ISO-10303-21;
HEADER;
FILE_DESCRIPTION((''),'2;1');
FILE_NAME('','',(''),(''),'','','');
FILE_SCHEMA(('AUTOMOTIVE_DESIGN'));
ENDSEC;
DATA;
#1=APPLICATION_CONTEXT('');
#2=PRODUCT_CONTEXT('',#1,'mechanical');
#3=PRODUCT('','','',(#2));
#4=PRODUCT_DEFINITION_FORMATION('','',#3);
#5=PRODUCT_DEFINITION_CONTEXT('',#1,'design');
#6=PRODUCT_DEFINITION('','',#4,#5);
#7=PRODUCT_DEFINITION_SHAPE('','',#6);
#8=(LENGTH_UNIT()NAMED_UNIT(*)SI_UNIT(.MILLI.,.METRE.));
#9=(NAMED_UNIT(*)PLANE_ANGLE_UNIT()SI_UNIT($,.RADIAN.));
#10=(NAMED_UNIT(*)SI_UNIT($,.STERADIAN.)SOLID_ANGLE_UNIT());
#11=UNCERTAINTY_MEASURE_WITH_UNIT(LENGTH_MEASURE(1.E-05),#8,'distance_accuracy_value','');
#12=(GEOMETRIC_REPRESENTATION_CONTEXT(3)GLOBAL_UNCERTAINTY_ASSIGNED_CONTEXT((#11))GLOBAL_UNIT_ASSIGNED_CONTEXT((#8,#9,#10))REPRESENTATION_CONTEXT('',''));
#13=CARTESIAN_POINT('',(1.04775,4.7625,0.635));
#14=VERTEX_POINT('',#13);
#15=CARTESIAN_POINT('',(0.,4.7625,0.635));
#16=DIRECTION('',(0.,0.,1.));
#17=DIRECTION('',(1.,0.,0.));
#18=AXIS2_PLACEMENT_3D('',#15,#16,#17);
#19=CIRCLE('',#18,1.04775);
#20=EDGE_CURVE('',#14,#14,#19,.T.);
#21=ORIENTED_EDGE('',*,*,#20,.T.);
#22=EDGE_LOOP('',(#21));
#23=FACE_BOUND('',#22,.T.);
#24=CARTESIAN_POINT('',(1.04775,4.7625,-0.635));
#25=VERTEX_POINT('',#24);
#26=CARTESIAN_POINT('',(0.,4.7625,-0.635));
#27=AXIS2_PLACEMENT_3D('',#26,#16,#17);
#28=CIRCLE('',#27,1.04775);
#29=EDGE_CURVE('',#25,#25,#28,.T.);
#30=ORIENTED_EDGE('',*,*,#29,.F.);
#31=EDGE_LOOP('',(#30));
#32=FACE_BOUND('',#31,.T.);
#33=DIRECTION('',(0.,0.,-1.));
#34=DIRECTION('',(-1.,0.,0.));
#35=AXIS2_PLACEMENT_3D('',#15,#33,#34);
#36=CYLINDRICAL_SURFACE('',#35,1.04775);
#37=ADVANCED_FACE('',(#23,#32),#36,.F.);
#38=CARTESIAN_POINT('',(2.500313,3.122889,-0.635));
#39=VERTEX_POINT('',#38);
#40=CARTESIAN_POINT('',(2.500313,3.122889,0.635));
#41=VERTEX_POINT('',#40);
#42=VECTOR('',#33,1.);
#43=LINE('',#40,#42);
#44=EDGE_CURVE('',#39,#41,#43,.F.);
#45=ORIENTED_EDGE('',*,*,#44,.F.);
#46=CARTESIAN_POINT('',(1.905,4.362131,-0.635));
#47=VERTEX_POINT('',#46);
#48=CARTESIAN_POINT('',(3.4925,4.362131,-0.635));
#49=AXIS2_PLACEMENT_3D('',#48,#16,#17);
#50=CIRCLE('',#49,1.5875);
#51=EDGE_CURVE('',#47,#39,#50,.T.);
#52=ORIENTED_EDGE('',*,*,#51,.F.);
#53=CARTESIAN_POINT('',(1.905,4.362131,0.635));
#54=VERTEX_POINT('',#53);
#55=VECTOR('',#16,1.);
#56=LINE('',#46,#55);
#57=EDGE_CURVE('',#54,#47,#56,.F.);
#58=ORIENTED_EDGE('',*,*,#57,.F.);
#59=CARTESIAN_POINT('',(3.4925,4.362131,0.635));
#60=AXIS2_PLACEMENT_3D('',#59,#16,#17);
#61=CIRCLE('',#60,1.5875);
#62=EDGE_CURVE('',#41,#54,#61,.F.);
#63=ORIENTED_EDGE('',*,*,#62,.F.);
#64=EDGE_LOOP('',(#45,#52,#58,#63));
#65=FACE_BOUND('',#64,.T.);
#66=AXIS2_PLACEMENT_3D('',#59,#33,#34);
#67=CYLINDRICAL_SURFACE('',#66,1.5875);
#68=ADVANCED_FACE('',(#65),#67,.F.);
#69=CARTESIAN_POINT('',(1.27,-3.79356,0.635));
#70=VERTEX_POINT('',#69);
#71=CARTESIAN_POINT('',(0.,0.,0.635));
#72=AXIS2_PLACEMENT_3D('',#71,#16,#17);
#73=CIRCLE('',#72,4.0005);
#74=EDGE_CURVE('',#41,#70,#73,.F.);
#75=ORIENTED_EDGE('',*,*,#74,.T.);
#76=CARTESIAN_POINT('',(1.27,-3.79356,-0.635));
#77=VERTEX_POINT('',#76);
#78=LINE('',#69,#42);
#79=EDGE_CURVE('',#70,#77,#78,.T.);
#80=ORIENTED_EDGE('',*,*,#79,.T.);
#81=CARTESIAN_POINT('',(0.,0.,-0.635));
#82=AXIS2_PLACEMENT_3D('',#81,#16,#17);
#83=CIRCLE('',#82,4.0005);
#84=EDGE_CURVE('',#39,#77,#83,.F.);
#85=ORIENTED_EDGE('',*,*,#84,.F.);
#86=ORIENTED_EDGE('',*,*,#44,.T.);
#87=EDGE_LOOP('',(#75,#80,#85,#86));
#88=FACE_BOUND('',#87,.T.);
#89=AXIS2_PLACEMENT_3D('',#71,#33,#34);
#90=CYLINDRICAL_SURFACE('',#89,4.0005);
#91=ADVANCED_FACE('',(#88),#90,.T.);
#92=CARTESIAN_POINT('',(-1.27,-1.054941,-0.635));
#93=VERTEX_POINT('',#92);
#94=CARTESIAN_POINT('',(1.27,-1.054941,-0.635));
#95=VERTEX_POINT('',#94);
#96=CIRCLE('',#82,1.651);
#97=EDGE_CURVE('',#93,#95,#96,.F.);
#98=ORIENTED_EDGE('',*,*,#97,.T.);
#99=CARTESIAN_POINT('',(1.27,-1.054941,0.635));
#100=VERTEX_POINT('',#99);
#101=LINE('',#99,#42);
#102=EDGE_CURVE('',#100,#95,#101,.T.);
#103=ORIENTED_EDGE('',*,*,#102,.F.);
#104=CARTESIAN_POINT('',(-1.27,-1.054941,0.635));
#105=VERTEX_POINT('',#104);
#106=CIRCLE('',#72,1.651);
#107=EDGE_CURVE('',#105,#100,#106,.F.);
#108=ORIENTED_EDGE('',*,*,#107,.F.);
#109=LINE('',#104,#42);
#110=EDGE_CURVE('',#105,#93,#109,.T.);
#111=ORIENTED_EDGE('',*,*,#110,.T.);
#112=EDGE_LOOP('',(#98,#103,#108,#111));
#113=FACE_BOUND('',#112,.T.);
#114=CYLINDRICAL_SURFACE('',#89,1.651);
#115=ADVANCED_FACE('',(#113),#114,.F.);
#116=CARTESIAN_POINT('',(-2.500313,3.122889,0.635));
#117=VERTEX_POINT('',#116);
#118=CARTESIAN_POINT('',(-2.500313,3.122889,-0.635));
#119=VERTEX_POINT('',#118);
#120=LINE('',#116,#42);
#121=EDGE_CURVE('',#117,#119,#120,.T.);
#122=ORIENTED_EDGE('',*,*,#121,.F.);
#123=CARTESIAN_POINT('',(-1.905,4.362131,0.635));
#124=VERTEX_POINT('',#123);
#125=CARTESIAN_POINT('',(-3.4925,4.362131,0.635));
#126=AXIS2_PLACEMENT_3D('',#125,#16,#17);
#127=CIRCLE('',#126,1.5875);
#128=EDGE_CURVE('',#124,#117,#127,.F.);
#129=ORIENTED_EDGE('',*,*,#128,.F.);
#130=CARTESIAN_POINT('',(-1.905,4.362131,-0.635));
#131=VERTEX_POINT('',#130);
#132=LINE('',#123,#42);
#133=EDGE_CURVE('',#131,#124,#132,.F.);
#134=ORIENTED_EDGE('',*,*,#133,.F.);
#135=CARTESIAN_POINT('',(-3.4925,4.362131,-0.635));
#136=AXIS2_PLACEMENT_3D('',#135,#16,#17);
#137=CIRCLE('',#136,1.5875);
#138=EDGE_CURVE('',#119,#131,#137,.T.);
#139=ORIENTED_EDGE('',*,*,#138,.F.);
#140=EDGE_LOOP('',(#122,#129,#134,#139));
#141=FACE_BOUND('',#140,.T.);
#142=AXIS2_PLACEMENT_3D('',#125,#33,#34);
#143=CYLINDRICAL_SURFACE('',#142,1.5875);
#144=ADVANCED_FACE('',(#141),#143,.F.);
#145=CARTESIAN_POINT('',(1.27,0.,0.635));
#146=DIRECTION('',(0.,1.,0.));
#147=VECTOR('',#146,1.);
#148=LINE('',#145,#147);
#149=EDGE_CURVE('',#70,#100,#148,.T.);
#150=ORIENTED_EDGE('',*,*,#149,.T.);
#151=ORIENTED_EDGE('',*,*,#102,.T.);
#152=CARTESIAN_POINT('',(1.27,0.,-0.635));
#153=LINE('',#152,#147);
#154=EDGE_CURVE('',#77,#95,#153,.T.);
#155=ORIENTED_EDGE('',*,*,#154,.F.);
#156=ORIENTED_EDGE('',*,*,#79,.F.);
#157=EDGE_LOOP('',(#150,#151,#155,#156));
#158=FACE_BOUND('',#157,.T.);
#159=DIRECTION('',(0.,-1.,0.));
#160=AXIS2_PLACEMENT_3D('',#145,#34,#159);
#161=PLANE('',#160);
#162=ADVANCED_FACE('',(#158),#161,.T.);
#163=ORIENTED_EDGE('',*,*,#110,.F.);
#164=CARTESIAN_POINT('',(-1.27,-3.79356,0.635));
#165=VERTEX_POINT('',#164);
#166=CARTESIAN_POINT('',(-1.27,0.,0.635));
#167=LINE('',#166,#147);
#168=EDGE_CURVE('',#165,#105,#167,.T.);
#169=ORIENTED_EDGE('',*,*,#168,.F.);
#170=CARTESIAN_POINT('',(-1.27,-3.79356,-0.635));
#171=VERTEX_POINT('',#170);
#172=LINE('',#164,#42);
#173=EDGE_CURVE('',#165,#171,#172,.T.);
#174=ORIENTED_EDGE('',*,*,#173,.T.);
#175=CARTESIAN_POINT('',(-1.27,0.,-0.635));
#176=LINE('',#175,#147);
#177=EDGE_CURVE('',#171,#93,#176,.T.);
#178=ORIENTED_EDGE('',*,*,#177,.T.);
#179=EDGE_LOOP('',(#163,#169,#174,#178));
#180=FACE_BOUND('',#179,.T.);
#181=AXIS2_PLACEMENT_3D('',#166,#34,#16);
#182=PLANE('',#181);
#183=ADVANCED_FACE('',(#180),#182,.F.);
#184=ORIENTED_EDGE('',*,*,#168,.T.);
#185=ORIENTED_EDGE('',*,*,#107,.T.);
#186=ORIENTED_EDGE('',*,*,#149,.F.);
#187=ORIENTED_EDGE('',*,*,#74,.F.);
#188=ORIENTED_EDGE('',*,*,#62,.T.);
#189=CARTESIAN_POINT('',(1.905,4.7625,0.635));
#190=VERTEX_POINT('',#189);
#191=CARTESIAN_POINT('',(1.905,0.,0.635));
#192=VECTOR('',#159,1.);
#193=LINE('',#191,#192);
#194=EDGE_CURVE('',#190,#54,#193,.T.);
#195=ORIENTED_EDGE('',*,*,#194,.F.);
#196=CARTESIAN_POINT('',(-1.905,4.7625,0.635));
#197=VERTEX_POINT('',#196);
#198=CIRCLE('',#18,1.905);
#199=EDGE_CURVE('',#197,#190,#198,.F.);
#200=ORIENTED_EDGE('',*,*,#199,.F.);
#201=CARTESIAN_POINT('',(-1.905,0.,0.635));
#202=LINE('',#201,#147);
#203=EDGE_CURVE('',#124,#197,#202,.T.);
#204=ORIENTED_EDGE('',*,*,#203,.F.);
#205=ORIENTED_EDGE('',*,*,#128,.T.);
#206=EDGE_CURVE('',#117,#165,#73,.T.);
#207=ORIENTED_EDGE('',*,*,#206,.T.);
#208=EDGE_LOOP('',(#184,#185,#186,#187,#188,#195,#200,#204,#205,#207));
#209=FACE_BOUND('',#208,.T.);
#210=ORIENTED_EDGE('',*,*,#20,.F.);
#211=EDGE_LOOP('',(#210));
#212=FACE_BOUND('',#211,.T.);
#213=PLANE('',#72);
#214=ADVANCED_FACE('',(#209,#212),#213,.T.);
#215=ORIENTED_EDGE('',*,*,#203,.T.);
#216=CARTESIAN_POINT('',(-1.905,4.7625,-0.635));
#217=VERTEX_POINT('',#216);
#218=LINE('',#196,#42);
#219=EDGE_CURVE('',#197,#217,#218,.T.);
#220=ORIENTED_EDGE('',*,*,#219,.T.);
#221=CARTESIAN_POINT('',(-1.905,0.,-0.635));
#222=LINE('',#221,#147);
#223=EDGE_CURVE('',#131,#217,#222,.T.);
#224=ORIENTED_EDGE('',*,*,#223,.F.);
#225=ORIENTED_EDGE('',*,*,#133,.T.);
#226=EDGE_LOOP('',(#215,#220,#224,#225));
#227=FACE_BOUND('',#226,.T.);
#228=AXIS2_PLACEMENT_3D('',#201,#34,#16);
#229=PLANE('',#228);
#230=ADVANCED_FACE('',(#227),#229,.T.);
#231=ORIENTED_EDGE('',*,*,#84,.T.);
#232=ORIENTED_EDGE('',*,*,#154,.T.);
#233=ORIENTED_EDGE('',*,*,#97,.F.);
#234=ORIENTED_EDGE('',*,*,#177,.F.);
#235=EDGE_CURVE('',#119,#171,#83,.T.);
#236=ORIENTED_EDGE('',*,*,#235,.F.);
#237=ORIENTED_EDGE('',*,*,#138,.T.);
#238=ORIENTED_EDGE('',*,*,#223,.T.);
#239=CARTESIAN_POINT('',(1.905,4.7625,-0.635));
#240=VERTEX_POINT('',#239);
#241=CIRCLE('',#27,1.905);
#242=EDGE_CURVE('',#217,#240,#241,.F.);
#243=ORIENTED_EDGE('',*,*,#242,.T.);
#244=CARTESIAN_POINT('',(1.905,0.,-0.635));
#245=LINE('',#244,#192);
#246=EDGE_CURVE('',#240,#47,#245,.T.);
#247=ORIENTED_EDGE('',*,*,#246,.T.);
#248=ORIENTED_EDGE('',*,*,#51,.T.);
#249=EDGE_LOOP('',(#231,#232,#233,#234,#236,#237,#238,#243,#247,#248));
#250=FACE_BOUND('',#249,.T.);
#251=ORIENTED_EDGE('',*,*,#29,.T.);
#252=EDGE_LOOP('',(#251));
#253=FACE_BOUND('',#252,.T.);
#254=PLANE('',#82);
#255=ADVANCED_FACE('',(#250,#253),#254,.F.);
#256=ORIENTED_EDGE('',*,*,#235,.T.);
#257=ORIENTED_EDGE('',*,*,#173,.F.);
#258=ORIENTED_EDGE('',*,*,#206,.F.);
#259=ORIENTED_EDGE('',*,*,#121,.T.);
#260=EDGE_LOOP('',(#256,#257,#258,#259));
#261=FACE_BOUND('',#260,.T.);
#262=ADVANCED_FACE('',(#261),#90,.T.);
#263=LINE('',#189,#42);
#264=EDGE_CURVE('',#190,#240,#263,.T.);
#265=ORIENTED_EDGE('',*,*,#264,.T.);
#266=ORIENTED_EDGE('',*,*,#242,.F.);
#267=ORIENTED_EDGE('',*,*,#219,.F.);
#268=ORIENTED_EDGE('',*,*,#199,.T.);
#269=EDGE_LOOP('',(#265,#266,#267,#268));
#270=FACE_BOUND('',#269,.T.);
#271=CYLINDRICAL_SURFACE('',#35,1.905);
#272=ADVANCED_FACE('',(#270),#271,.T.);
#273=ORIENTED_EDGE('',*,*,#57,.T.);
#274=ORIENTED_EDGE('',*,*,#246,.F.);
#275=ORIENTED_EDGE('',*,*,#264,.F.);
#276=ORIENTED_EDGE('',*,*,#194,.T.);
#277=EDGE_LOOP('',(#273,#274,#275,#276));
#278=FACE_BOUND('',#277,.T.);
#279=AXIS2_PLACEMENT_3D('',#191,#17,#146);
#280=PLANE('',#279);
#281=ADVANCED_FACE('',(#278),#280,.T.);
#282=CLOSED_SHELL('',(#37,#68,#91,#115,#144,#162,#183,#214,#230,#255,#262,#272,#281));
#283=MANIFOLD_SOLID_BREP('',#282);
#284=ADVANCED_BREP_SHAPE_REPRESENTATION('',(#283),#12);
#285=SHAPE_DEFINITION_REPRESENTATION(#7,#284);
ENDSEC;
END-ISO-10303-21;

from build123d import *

# Parameters (mm, degrees)
SKETCH1_R           = 1.04775
BOSS_EXTRUDE1_DEPTH = 0.635
FILLET1_R           = 1.5875


with BuildPart() as part:
    # Sketch1 → Boss-Extrude1 (new body, symmetric)
    with BuildSketch(Plane.XY):
        with BuildLine():
            Line((-1.27, -3.793560366), (-1.27, -1.054941231))
            ThreePointArc((-1.27, -1.054941231), (0, 1.651), (1.27, -1.054941231))
            Line((1.27, -1.054941231), (1.27, -3.793560366))
            ThreePointArc((1.27, -3.793560366), (3.985496732, -0.346144551), (1.905, 3.517808302))
            Line((1.905, 3.517808302), (1.905, 4.7625))
            ThreePointArc((1.905, 4.7625), (0, 6.6675), (-1.905, 4.7625))
            Line((-1.905, 4.7625), (-1.905, 3.517808302))
            ThreePointArc((-1.905, 3.517808302), (-3.985496732, -0.346144551), (-1.27, -3.793560366))
        make_face()
        with Locations((0, 4.7625)):
            Circle(SKETCH1_R, mode=Mode.SUBTRACT)
    extrude(amount=BOSS_EXTRUDE1_DEPTH, both=True)

    # Fillet1
    fillet1_edges = [part.edges().sort_by_distance(p)[0] for p in [
        (-1.905, 3.517808302, 0),
        (1.905, 3.517808302, 0),
    ]]
    fillet(fillet1_edges, radius=FILLET1_R)


solid = part.part
